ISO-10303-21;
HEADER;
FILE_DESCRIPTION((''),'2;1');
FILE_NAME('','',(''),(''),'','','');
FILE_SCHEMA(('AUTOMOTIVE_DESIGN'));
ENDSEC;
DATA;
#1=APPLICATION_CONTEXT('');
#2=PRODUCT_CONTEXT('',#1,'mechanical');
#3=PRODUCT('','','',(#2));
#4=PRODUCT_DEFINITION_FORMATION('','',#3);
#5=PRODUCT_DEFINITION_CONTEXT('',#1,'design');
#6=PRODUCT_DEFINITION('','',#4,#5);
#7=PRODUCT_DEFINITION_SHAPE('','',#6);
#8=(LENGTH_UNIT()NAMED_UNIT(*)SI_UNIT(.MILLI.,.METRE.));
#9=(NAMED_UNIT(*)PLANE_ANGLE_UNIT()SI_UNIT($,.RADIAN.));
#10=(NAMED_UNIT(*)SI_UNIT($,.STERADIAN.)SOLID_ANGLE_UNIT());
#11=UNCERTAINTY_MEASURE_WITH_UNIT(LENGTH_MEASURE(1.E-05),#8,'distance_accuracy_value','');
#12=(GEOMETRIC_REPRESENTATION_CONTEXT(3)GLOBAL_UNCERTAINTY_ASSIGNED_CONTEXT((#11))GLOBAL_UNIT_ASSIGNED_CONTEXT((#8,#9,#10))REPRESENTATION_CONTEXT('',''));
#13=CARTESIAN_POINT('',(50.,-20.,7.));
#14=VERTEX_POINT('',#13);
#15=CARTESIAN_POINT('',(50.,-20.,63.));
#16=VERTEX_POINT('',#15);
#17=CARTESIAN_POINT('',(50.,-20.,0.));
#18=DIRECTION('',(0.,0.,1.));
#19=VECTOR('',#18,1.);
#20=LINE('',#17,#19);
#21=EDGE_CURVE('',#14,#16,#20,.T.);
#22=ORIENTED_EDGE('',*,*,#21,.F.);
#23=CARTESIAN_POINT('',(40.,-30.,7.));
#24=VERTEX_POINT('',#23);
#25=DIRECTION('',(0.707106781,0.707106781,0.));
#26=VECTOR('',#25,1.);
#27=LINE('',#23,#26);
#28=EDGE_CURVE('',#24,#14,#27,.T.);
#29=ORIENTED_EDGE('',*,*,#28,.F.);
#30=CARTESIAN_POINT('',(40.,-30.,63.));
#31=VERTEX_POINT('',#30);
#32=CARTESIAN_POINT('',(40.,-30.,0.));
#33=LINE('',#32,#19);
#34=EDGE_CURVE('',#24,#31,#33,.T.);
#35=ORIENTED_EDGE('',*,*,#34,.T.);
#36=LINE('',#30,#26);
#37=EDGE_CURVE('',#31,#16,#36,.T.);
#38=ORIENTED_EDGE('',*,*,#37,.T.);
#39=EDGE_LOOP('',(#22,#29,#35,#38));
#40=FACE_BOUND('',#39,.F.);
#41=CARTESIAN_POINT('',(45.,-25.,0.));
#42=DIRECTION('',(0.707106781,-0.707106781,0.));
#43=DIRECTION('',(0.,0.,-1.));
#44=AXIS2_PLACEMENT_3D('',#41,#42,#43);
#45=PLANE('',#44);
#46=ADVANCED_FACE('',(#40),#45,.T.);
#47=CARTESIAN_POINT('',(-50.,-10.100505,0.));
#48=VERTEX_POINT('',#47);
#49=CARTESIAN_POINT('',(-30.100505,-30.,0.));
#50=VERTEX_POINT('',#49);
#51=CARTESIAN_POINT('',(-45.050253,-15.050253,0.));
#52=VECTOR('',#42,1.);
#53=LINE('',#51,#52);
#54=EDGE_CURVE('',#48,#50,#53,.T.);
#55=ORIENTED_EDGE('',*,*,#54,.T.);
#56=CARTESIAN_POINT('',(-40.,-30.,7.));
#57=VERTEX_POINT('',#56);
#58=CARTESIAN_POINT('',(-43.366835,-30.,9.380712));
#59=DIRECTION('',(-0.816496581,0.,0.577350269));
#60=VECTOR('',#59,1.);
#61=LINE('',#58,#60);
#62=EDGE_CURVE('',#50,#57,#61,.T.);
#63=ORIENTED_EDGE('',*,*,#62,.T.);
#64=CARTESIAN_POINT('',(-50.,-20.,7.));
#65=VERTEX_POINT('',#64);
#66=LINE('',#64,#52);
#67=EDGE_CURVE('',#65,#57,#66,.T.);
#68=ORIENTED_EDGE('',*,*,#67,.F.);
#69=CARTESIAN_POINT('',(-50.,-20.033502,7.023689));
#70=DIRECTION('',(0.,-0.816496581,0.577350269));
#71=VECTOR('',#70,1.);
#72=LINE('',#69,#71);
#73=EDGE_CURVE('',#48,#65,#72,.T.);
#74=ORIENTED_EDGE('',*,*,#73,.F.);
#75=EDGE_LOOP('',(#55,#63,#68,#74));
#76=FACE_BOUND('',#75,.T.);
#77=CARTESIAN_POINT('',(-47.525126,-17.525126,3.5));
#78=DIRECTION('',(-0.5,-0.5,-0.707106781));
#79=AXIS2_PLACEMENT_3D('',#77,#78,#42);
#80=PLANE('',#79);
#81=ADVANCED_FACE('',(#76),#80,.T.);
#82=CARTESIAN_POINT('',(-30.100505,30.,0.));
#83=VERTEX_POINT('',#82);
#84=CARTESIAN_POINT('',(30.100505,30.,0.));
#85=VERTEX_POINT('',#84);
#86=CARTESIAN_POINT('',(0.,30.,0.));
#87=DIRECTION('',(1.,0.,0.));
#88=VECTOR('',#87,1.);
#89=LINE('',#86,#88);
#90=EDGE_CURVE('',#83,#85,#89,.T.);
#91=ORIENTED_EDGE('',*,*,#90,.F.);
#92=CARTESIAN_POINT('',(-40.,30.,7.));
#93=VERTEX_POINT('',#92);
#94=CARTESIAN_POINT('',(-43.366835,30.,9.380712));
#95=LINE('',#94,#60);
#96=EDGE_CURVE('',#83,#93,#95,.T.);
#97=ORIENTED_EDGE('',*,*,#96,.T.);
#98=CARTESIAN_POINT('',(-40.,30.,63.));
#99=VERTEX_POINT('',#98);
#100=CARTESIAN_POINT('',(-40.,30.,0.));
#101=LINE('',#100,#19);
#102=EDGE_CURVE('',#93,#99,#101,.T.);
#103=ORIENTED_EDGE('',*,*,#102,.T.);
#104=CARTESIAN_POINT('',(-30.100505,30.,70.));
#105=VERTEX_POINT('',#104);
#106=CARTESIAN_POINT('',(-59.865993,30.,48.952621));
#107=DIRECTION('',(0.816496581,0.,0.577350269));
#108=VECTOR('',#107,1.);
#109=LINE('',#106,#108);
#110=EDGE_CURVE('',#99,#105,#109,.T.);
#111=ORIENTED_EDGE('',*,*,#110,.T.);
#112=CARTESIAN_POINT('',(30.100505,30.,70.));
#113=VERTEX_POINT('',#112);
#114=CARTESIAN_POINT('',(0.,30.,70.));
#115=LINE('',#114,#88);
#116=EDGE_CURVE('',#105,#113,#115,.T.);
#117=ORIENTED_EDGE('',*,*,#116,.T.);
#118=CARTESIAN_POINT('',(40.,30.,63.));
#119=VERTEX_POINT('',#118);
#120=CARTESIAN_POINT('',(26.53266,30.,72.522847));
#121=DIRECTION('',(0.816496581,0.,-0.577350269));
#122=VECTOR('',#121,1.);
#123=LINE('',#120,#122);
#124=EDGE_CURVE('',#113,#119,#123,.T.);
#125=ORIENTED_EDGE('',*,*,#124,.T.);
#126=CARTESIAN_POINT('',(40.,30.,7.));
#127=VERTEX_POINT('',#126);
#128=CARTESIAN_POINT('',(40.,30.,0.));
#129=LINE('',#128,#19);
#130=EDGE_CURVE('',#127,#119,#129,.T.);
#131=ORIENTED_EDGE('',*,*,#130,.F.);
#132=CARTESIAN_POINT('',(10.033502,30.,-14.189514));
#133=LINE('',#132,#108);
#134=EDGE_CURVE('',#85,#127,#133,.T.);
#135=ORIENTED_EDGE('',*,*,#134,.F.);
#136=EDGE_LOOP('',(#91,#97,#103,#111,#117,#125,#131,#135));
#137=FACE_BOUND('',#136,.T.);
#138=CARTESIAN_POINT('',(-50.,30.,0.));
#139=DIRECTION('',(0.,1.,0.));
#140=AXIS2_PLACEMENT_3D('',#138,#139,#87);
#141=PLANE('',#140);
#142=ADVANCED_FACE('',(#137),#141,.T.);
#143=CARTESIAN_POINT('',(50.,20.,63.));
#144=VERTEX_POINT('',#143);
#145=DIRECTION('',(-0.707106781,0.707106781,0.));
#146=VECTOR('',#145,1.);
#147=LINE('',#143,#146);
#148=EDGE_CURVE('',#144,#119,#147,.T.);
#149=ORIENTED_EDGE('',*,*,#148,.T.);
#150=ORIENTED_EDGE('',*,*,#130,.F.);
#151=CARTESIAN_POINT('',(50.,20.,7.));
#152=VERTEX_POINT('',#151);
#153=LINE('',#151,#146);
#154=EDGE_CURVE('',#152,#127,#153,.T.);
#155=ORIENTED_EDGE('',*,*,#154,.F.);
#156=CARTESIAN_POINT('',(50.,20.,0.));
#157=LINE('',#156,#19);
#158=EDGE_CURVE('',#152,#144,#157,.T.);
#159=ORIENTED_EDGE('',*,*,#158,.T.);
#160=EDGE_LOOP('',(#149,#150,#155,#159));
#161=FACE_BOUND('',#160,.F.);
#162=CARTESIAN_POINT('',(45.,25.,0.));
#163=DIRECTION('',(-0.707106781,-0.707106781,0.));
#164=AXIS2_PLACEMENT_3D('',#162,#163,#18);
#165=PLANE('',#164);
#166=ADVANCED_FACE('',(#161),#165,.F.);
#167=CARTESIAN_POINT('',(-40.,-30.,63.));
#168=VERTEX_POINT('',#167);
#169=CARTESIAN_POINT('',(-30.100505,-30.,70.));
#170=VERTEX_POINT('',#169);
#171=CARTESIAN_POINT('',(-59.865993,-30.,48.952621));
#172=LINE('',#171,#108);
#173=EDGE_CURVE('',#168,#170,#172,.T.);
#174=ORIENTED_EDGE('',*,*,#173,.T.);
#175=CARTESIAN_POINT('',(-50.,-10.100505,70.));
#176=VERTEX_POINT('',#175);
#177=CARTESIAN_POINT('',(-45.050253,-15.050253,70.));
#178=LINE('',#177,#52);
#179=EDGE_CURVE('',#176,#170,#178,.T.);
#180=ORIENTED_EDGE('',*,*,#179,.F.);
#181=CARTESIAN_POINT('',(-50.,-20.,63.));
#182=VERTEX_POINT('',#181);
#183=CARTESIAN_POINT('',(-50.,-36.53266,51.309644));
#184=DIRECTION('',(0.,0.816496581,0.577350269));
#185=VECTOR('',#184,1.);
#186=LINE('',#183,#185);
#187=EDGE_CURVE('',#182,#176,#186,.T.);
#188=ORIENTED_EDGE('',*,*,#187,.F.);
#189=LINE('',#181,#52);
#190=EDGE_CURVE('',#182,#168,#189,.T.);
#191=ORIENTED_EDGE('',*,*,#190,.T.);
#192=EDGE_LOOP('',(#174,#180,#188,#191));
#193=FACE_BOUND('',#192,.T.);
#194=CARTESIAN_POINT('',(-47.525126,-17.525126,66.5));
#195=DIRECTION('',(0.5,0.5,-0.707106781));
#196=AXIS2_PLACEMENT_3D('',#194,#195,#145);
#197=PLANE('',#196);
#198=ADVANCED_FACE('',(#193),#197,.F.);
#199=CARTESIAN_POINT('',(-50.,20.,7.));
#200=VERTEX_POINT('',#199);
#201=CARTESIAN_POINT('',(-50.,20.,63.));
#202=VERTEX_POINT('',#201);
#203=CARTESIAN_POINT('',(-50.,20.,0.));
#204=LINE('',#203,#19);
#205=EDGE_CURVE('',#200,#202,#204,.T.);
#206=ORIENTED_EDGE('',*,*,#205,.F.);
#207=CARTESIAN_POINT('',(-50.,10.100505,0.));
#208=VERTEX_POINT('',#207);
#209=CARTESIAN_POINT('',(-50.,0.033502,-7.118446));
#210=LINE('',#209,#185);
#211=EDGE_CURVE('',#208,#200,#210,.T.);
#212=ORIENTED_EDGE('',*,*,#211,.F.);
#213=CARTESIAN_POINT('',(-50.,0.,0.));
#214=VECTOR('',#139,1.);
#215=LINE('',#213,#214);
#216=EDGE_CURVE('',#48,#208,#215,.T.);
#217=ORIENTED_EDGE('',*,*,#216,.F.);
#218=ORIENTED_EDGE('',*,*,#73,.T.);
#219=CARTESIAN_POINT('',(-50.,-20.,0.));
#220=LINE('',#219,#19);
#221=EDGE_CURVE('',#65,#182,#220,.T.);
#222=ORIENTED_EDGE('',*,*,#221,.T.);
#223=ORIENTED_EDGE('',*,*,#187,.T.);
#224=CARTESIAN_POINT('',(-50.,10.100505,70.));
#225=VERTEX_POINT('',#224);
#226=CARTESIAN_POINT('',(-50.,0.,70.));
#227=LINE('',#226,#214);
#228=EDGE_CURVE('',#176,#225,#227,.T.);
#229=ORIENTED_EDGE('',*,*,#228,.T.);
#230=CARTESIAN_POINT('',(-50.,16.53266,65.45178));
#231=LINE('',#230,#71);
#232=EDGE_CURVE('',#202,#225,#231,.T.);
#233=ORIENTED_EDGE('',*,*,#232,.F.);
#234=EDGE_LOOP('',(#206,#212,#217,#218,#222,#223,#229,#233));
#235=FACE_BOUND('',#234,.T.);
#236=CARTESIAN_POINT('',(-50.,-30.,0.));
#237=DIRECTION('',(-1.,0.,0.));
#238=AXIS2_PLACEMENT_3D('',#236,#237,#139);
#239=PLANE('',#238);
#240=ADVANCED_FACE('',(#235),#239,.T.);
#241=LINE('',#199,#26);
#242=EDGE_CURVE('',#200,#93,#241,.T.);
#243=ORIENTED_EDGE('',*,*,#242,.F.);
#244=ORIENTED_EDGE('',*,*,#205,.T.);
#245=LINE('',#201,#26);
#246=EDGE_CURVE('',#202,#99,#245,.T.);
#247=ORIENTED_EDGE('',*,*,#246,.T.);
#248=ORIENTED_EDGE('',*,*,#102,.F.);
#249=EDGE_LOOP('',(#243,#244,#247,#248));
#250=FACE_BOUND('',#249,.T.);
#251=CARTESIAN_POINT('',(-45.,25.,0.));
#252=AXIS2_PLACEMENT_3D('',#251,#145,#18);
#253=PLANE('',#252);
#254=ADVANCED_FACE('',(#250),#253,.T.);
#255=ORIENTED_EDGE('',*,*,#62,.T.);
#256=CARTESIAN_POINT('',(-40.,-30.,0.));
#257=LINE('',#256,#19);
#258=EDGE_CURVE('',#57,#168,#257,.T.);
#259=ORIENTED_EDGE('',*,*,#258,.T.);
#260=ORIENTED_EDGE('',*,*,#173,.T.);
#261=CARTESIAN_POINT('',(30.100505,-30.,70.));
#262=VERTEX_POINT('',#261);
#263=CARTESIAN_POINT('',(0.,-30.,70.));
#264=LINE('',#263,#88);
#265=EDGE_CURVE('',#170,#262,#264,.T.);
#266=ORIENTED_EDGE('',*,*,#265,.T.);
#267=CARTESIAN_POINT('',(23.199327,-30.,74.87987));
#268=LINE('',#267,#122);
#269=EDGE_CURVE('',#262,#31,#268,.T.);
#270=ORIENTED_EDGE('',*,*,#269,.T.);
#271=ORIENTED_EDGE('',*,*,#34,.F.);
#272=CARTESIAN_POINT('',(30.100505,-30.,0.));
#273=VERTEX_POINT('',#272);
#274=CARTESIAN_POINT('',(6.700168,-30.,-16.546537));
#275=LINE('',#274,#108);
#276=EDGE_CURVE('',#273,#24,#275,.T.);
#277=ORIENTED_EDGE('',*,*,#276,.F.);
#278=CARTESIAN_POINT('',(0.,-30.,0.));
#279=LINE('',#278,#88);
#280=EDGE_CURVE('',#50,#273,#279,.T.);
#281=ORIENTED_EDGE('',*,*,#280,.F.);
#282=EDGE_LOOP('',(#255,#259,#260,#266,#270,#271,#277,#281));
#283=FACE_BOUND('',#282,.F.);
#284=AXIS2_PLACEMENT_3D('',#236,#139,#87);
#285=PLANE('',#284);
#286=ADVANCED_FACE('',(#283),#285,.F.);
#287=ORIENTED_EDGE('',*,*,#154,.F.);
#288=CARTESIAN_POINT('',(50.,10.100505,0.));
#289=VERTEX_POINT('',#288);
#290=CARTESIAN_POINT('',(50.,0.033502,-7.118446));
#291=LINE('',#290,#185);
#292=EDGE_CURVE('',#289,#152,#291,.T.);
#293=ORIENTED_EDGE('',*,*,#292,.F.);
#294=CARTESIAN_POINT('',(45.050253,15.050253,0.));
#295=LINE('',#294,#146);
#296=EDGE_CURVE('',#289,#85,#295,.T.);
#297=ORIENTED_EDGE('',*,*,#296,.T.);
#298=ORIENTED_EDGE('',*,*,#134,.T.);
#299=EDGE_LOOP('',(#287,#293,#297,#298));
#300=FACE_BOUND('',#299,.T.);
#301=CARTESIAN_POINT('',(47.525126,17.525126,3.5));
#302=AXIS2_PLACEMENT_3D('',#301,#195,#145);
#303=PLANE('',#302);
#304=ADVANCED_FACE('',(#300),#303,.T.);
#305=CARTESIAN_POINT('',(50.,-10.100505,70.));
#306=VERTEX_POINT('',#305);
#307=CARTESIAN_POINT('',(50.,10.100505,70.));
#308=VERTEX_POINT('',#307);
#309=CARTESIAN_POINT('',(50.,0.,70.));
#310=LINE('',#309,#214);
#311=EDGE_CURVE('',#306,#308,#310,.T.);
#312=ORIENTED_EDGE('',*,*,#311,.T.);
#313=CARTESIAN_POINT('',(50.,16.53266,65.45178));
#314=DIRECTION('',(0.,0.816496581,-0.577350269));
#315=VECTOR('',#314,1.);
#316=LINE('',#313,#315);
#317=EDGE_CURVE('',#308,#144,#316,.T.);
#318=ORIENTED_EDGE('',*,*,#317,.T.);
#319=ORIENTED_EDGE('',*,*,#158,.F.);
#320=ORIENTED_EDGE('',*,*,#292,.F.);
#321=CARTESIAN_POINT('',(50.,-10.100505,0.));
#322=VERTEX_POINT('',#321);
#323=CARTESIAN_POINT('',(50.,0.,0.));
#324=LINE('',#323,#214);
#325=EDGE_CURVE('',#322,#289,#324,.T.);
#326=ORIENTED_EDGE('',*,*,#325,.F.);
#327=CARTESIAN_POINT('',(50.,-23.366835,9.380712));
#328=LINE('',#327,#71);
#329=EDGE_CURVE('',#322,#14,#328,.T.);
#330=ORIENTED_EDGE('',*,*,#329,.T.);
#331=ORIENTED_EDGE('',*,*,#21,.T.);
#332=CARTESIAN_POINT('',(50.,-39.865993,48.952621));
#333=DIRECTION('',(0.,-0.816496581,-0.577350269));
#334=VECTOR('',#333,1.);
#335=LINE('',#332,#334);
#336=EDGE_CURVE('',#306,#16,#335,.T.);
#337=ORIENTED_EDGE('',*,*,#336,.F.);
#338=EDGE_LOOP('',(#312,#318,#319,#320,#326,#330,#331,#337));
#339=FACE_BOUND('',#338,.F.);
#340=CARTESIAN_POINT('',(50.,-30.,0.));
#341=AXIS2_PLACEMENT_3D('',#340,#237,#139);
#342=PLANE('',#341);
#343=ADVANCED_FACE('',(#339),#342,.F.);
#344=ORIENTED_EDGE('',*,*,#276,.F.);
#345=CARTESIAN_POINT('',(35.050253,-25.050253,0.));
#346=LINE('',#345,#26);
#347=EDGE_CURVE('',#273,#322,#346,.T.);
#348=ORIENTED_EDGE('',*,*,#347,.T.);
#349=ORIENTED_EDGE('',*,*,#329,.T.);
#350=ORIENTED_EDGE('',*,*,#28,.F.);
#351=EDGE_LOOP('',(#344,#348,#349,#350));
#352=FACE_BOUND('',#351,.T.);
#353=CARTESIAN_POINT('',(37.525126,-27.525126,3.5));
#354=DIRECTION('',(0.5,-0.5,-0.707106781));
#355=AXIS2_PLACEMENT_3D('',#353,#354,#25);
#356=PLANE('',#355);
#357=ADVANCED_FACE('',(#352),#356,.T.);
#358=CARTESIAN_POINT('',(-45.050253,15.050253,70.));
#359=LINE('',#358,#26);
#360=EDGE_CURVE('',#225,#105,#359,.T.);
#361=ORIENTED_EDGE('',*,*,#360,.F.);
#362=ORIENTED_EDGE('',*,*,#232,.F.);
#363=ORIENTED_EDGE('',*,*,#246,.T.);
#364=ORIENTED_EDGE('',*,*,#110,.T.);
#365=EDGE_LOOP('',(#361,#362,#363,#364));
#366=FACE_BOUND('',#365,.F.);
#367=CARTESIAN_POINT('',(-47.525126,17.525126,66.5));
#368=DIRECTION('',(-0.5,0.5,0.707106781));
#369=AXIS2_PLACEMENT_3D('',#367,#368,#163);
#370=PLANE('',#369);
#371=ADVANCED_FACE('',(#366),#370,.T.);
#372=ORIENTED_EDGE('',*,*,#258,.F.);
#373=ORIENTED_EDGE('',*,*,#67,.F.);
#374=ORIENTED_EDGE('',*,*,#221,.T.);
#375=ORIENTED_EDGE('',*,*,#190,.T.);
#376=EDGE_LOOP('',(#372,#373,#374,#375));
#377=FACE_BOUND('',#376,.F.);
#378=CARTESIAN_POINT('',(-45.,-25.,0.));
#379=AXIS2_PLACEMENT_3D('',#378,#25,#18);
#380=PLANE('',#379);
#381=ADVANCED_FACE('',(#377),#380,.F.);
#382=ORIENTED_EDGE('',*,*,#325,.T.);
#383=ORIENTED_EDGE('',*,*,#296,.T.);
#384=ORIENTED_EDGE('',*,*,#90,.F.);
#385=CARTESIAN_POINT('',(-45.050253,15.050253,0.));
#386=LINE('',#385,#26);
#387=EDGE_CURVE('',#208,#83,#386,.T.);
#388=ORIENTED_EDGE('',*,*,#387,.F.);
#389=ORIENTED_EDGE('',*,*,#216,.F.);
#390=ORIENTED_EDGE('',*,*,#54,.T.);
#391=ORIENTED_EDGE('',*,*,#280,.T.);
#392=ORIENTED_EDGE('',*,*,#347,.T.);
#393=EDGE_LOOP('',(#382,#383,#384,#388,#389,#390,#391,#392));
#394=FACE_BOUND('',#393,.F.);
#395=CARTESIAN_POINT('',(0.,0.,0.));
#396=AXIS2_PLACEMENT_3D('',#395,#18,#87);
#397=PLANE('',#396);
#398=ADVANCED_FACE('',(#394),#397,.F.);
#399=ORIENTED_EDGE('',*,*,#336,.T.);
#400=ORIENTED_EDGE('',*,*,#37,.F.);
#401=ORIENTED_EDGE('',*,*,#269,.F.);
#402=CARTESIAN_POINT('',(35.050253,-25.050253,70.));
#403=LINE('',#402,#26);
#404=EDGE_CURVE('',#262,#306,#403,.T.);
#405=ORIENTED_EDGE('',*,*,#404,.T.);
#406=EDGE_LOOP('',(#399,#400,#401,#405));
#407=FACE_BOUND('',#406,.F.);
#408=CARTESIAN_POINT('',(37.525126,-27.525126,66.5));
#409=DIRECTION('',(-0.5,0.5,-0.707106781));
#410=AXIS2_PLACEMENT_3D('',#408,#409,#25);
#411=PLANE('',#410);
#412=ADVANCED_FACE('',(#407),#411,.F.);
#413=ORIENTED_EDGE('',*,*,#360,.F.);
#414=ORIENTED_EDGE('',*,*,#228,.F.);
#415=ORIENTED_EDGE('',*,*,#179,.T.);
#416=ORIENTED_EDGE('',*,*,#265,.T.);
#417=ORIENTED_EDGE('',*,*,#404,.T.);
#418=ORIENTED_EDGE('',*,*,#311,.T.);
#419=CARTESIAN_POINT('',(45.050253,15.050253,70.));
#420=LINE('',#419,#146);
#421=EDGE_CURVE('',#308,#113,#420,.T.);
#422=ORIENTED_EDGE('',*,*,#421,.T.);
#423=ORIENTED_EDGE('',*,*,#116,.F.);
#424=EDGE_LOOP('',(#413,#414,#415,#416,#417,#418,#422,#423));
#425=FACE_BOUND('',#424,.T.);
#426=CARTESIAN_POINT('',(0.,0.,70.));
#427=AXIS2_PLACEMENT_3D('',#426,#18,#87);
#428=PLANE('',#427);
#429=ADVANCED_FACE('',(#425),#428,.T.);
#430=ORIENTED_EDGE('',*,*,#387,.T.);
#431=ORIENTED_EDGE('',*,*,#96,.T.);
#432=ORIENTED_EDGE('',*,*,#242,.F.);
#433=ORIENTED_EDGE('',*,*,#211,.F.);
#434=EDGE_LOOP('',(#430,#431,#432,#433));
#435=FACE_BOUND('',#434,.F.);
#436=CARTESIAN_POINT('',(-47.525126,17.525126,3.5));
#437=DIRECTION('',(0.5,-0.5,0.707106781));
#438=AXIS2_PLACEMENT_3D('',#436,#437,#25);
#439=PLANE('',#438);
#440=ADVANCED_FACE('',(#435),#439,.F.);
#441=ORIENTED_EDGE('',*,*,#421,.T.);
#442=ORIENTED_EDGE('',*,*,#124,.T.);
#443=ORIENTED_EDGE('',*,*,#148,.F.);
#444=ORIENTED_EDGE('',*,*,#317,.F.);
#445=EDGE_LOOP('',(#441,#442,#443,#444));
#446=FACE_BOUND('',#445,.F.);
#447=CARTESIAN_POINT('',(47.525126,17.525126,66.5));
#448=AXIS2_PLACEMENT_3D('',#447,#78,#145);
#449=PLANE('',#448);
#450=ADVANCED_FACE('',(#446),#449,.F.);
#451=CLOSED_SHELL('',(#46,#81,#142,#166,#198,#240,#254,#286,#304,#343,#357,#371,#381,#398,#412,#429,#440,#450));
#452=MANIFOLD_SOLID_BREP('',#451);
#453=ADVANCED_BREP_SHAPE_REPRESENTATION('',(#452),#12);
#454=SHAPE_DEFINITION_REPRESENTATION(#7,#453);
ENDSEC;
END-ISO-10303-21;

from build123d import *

# Parameters (mm, degrees)
F0_W     = 100
F0_H     = 60
F1_DEPTH = 70
F2_SIZE  = 10
F3_SIZE  = 7


with BuildPart() as f1:
    # F0 (on Top) → F1 (new body)
    with BuildSketch(Plane.XY):
        Rectangle(F0_W, F0_H)
    extrude(amount=F1_DEPTH)

    # F2
    f2_edges = [f1.edges().sort_by_distance(p)[0] for p in [
        (-50, -30, 35),
        (50, -30, 35),
        (50, 30, 35),
        (-50, 30, 35),
    ]]
    chamfer(f2_edges, length=F2_SIZE)

    # F3
    f3_edges = [f1.edges().sort_by_distance(p)[0] for p in [
        (45, 25, 70),
        (45, 25, 0),
        (-45, 25, 70),
        (-45, 25, 0),
        (-45, -25, 70),
        (45, -25, 70),
        (-45, -25, 0),
        (45, -25, 0),
    ]]
    chamfer(f3_edges, length=F3_SIZE)


solid = f1.part
